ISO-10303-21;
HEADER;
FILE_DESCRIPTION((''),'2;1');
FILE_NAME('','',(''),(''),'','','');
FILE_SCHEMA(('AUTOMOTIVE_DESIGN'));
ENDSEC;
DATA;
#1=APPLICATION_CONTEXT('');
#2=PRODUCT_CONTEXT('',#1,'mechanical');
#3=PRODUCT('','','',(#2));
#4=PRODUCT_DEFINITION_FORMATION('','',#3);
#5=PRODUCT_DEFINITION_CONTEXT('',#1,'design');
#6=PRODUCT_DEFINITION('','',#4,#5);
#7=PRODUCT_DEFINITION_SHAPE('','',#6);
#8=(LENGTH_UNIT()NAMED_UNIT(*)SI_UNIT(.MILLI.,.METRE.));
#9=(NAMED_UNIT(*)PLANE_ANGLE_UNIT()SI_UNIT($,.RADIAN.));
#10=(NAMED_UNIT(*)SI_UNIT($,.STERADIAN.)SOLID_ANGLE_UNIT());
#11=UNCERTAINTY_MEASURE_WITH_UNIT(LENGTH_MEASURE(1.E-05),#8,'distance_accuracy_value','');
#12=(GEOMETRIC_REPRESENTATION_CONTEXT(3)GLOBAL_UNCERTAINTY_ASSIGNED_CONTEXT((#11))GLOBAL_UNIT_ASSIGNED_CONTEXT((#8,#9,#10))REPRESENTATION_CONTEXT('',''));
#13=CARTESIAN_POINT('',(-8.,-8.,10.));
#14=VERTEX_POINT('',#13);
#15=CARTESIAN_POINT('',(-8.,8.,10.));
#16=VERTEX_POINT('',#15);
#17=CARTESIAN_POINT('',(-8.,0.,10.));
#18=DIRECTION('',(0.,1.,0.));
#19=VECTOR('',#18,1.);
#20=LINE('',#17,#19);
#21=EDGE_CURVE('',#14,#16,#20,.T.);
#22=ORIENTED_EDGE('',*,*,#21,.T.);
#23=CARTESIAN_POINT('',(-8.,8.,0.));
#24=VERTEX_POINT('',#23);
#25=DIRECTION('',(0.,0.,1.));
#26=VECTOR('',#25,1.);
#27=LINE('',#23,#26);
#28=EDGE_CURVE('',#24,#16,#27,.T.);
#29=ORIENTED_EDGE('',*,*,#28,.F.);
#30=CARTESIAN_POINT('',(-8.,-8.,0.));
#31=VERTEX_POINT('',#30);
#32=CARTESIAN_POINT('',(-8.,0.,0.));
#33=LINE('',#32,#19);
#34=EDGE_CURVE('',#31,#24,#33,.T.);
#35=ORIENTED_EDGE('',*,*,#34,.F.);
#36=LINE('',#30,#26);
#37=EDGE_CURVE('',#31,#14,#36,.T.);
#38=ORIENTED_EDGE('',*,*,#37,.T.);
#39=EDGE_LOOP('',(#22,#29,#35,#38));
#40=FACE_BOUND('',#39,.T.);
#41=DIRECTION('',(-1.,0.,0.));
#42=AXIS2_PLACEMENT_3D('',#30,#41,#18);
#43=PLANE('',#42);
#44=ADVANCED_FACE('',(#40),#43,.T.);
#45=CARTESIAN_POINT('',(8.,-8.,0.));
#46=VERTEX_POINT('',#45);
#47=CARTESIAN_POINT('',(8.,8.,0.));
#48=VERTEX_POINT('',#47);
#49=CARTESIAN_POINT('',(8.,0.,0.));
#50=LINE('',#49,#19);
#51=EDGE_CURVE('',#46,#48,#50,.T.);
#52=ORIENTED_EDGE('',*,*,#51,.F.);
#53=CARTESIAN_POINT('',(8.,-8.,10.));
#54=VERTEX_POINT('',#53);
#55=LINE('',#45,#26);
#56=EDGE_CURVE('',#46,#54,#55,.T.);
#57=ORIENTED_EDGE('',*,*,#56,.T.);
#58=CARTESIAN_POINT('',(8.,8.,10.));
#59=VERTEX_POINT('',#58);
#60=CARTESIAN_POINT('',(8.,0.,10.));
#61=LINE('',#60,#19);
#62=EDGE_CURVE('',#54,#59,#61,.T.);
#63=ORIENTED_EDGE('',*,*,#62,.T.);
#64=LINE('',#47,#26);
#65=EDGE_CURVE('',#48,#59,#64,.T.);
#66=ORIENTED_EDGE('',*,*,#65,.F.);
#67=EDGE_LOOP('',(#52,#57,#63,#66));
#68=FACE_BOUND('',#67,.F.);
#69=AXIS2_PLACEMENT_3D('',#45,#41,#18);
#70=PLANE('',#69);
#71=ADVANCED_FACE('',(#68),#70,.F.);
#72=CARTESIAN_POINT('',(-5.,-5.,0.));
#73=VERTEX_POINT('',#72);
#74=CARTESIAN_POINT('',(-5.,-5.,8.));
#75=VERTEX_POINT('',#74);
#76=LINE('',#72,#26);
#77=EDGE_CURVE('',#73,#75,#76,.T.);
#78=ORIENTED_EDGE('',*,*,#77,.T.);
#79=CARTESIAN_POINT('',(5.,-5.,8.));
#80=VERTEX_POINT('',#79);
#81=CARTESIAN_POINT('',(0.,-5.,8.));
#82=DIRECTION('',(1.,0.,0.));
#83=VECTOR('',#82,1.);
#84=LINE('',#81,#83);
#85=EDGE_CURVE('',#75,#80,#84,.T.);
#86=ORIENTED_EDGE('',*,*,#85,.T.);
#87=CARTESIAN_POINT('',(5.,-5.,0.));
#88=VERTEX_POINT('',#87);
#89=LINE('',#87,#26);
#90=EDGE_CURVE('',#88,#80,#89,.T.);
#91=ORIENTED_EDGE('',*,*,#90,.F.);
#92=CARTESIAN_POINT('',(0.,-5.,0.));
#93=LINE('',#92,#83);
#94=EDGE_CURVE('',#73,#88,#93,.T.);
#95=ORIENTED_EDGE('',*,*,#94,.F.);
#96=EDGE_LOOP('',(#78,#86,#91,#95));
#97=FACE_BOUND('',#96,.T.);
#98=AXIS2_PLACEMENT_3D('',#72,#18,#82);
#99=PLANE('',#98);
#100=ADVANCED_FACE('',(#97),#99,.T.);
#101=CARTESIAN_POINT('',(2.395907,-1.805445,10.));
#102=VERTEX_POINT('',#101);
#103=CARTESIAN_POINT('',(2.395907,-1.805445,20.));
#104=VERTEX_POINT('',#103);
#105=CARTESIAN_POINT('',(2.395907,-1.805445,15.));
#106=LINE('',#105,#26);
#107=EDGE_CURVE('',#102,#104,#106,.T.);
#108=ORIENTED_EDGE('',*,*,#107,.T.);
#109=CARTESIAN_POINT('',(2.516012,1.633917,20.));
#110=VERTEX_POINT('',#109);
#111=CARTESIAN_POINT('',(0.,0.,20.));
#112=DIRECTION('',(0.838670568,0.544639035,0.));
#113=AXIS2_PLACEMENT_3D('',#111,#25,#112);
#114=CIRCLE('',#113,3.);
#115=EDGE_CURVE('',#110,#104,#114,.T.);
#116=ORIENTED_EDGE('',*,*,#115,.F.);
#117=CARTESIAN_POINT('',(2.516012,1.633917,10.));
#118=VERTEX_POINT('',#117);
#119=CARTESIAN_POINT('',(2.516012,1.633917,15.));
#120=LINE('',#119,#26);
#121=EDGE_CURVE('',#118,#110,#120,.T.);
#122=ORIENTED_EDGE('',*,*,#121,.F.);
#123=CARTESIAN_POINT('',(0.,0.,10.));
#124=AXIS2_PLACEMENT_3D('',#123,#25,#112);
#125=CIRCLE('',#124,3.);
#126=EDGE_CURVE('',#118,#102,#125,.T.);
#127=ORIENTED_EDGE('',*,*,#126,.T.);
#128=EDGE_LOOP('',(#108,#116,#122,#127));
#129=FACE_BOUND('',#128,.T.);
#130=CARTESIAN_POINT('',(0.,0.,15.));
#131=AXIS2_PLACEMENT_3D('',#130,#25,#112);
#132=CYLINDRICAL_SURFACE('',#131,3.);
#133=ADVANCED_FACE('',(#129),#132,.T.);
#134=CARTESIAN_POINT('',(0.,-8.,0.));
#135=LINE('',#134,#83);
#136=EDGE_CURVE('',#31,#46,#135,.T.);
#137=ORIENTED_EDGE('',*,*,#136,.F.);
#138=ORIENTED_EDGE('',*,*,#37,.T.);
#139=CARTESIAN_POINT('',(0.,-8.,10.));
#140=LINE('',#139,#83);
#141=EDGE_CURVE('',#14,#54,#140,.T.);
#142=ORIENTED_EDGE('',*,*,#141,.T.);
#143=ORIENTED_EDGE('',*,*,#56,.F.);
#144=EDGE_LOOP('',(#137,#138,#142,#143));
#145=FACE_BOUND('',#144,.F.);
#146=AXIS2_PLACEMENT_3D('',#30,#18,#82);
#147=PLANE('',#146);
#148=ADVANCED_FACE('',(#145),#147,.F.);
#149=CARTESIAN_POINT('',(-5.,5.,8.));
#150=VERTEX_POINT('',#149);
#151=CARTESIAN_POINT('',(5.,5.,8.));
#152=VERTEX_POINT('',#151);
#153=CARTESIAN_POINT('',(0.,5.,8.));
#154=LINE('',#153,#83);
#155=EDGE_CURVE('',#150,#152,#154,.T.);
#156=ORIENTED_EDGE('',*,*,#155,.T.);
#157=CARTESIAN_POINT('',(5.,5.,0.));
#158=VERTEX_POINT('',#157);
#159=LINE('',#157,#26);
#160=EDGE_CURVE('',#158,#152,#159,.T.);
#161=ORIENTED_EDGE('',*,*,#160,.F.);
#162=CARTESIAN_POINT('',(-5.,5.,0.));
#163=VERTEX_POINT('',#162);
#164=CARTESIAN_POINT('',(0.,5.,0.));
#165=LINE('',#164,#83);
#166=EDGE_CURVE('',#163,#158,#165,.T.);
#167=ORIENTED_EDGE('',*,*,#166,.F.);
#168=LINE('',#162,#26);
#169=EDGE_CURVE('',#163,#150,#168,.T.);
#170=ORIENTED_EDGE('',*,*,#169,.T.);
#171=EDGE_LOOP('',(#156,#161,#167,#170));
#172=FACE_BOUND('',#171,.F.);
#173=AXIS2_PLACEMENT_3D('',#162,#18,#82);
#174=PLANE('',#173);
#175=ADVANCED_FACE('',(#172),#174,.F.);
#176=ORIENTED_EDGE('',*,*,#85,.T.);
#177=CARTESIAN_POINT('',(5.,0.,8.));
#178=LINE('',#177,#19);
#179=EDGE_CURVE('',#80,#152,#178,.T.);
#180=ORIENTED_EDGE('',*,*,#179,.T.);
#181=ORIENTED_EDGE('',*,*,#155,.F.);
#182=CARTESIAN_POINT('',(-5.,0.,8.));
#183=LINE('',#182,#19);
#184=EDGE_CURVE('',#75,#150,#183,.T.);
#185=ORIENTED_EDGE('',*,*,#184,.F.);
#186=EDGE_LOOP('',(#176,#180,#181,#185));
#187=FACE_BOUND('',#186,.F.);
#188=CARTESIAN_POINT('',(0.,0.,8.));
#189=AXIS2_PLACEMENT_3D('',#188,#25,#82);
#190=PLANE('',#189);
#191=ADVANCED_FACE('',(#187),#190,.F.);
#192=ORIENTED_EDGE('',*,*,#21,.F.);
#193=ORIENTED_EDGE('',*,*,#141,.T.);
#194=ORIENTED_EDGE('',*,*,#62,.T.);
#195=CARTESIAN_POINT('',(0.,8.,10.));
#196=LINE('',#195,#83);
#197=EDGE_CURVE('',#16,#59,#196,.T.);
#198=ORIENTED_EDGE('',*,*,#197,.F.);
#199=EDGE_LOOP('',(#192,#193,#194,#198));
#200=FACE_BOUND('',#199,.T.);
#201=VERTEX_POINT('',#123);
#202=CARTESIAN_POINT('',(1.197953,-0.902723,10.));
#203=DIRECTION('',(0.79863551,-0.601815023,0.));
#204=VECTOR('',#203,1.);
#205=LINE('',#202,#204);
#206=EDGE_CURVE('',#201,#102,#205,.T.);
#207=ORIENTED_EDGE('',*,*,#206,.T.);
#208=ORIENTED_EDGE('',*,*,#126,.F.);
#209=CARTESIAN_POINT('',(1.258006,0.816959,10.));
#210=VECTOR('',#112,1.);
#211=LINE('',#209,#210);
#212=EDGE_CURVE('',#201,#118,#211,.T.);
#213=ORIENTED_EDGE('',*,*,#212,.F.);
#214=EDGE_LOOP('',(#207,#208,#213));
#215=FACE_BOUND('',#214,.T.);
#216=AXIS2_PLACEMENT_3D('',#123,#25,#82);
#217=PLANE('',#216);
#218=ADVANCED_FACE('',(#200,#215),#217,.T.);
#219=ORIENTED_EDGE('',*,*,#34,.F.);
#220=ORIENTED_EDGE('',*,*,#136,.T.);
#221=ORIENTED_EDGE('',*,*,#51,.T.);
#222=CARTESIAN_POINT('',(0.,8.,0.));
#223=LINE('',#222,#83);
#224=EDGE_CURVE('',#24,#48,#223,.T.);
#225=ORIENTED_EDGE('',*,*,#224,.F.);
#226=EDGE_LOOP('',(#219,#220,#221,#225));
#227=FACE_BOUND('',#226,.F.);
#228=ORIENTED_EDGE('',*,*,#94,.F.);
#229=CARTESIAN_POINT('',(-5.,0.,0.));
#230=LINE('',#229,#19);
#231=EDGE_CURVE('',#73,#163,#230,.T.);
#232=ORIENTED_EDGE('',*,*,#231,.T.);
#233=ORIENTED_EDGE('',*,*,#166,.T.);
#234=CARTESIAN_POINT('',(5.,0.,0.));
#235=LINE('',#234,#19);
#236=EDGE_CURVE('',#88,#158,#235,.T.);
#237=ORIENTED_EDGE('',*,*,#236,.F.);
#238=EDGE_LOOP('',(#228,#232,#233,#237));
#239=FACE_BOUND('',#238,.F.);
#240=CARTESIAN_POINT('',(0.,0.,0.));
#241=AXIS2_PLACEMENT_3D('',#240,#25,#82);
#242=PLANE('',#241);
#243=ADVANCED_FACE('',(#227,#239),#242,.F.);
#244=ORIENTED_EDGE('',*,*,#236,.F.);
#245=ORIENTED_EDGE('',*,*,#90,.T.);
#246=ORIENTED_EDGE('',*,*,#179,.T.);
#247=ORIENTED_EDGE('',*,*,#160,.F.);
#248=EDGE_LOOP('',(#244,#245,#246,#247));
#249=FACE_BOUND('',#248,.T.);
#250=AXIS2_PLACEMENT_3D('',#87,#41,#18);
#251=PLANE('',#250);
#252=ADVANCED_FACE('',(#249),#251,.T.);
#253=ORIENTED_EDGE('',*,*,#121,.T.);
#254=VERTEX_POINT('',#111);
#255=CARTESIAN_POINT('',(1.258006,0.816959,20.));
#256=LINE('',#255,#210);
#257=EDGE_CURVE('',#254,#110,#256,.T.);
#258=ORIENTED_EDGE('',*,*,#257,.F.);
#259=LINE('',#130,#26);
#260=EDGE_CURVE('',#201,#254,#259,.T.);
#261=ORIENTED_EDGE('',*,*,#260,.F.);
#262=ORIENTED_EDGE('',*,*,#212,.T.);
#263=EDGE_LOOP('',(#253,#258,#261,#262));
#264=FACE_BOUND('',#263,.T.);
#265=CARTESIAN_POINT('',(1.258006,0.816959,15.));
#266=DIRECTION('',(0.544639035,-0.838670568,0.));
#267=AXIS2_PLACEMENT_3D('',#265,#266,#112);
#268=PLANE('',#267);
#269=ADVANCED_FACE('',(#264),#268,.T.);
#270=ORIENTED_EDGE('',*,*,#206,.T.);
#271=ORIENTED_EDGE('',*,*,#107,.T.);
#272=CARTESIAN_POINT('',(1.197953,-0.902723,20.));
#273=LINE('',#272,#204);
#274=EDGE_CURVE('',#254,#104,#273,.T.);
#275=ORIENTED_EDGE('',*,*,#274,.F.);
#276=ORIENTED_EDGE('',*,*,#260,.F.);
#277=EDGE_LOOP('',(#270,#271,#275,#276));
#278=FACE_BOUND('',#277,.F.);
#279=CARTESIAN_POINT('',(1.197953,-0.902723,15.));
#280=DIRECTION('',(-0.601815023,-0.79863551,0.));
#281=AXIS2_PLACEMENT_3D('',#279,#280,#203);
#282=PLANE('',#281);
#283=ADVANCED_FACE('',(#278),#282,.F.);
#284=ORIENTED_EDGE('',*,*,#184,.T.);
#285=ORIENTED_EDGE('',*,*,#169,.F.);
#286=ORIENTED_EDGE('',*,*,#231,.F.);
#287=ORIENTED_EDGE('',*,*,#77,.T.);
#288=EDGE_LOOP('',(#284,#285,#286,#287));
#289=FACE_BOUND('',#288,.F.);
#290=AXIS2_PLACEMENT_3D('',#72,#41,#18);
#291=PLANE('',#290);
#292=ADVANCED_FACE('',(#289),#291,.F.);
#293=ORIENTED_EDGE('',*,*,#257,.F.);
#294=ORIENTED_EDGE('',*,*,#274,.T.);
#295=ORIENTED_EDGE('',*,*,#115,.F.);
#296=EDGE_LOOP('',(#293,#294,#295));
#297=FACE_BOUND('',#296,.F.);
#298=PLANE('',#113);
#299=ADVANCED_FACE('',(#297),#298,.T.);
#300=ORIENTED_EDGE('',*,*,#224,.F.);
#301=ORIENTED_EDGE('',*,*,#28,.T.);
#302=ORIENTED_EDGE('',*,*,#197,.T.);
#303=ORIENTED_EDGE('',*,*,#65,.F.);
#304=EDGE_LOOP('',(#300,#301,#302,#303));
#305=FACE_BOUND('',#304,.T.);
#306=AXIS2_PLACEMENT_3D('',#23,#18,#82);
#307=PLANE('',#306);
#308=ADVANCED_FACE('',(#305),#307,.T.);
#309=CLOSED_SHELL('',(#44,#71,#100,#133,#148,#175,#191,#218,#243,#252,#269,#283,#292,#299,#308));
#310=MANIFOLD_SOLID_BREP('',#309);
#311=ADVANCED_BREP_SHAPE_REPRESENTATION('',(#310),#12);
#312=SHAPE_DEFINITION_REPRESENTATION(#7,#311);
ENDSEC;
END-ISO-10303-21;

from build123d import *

# Parameters (mm, degrees)
BOX001_W                 = 10
BOX001_H                 = 10
BOX001_DEPTH             = 8
CYLINDER_W               = 3
CYLINDER_H               = 10
CYLINDER_ANGLE           = 290
CYLINDER_PLACEMENT_ANGLE = 33
BOX_W                    = 16
BOX_H                    = 16
BOX_DEPTH                = 10


with BuildPart() as cube001:
    # Box001 → Box001 (new body)
    with BuildSketch(Plane(origin=(-5, -5, 0), x_dir=(1, 0, 0), z_dir=(0, 0, 1))):
        with Locations((5, 5)):
            Rectangle(BOX001_W, BOX001_H)
    extrude(amount=BOX001_DEPTH)


with BuildPart() as cylinder:
    # Cylinder → Cylinder (revolve)
    with BuildSketch(Plane.XZ):
        with Locations((1.5, 5)):
            Rectangle(CYLINDER_W, CYLINDER_H)
    revolve(axis=Axis((0, 0, 0), (0, 0, 1)), revolution_arc=CYLINDER_ANGLE)


with BuildPart() as cylinder_1:
    # Cylinder placement: moved
    add(cylinder.part.moved(Location((0, 0, 10))).rotate(Axis((0, 0, 10), (0, 0, 1)), CYLINDER_PLACEMENT_ANGLE))


with BuildPart() as cut:
    # Box → Box (new body)
    with BuildSketch(Plane(origin=(-8, -8, 0), x_dir=(1, 0, 0), z_dir=(0, 0, 1))):
        with Locations((8, 8)):
            Rectangle(BOX_W, BOX_H)
    extrude(amount=BOX_DEPTH)

    # Fusion: union Cylinder
    add(cylinder_1.part)

    # Cut: cut Cube001
    add(cube001.part, mode=Mode.SUBTRACT)


solid = cut.part
